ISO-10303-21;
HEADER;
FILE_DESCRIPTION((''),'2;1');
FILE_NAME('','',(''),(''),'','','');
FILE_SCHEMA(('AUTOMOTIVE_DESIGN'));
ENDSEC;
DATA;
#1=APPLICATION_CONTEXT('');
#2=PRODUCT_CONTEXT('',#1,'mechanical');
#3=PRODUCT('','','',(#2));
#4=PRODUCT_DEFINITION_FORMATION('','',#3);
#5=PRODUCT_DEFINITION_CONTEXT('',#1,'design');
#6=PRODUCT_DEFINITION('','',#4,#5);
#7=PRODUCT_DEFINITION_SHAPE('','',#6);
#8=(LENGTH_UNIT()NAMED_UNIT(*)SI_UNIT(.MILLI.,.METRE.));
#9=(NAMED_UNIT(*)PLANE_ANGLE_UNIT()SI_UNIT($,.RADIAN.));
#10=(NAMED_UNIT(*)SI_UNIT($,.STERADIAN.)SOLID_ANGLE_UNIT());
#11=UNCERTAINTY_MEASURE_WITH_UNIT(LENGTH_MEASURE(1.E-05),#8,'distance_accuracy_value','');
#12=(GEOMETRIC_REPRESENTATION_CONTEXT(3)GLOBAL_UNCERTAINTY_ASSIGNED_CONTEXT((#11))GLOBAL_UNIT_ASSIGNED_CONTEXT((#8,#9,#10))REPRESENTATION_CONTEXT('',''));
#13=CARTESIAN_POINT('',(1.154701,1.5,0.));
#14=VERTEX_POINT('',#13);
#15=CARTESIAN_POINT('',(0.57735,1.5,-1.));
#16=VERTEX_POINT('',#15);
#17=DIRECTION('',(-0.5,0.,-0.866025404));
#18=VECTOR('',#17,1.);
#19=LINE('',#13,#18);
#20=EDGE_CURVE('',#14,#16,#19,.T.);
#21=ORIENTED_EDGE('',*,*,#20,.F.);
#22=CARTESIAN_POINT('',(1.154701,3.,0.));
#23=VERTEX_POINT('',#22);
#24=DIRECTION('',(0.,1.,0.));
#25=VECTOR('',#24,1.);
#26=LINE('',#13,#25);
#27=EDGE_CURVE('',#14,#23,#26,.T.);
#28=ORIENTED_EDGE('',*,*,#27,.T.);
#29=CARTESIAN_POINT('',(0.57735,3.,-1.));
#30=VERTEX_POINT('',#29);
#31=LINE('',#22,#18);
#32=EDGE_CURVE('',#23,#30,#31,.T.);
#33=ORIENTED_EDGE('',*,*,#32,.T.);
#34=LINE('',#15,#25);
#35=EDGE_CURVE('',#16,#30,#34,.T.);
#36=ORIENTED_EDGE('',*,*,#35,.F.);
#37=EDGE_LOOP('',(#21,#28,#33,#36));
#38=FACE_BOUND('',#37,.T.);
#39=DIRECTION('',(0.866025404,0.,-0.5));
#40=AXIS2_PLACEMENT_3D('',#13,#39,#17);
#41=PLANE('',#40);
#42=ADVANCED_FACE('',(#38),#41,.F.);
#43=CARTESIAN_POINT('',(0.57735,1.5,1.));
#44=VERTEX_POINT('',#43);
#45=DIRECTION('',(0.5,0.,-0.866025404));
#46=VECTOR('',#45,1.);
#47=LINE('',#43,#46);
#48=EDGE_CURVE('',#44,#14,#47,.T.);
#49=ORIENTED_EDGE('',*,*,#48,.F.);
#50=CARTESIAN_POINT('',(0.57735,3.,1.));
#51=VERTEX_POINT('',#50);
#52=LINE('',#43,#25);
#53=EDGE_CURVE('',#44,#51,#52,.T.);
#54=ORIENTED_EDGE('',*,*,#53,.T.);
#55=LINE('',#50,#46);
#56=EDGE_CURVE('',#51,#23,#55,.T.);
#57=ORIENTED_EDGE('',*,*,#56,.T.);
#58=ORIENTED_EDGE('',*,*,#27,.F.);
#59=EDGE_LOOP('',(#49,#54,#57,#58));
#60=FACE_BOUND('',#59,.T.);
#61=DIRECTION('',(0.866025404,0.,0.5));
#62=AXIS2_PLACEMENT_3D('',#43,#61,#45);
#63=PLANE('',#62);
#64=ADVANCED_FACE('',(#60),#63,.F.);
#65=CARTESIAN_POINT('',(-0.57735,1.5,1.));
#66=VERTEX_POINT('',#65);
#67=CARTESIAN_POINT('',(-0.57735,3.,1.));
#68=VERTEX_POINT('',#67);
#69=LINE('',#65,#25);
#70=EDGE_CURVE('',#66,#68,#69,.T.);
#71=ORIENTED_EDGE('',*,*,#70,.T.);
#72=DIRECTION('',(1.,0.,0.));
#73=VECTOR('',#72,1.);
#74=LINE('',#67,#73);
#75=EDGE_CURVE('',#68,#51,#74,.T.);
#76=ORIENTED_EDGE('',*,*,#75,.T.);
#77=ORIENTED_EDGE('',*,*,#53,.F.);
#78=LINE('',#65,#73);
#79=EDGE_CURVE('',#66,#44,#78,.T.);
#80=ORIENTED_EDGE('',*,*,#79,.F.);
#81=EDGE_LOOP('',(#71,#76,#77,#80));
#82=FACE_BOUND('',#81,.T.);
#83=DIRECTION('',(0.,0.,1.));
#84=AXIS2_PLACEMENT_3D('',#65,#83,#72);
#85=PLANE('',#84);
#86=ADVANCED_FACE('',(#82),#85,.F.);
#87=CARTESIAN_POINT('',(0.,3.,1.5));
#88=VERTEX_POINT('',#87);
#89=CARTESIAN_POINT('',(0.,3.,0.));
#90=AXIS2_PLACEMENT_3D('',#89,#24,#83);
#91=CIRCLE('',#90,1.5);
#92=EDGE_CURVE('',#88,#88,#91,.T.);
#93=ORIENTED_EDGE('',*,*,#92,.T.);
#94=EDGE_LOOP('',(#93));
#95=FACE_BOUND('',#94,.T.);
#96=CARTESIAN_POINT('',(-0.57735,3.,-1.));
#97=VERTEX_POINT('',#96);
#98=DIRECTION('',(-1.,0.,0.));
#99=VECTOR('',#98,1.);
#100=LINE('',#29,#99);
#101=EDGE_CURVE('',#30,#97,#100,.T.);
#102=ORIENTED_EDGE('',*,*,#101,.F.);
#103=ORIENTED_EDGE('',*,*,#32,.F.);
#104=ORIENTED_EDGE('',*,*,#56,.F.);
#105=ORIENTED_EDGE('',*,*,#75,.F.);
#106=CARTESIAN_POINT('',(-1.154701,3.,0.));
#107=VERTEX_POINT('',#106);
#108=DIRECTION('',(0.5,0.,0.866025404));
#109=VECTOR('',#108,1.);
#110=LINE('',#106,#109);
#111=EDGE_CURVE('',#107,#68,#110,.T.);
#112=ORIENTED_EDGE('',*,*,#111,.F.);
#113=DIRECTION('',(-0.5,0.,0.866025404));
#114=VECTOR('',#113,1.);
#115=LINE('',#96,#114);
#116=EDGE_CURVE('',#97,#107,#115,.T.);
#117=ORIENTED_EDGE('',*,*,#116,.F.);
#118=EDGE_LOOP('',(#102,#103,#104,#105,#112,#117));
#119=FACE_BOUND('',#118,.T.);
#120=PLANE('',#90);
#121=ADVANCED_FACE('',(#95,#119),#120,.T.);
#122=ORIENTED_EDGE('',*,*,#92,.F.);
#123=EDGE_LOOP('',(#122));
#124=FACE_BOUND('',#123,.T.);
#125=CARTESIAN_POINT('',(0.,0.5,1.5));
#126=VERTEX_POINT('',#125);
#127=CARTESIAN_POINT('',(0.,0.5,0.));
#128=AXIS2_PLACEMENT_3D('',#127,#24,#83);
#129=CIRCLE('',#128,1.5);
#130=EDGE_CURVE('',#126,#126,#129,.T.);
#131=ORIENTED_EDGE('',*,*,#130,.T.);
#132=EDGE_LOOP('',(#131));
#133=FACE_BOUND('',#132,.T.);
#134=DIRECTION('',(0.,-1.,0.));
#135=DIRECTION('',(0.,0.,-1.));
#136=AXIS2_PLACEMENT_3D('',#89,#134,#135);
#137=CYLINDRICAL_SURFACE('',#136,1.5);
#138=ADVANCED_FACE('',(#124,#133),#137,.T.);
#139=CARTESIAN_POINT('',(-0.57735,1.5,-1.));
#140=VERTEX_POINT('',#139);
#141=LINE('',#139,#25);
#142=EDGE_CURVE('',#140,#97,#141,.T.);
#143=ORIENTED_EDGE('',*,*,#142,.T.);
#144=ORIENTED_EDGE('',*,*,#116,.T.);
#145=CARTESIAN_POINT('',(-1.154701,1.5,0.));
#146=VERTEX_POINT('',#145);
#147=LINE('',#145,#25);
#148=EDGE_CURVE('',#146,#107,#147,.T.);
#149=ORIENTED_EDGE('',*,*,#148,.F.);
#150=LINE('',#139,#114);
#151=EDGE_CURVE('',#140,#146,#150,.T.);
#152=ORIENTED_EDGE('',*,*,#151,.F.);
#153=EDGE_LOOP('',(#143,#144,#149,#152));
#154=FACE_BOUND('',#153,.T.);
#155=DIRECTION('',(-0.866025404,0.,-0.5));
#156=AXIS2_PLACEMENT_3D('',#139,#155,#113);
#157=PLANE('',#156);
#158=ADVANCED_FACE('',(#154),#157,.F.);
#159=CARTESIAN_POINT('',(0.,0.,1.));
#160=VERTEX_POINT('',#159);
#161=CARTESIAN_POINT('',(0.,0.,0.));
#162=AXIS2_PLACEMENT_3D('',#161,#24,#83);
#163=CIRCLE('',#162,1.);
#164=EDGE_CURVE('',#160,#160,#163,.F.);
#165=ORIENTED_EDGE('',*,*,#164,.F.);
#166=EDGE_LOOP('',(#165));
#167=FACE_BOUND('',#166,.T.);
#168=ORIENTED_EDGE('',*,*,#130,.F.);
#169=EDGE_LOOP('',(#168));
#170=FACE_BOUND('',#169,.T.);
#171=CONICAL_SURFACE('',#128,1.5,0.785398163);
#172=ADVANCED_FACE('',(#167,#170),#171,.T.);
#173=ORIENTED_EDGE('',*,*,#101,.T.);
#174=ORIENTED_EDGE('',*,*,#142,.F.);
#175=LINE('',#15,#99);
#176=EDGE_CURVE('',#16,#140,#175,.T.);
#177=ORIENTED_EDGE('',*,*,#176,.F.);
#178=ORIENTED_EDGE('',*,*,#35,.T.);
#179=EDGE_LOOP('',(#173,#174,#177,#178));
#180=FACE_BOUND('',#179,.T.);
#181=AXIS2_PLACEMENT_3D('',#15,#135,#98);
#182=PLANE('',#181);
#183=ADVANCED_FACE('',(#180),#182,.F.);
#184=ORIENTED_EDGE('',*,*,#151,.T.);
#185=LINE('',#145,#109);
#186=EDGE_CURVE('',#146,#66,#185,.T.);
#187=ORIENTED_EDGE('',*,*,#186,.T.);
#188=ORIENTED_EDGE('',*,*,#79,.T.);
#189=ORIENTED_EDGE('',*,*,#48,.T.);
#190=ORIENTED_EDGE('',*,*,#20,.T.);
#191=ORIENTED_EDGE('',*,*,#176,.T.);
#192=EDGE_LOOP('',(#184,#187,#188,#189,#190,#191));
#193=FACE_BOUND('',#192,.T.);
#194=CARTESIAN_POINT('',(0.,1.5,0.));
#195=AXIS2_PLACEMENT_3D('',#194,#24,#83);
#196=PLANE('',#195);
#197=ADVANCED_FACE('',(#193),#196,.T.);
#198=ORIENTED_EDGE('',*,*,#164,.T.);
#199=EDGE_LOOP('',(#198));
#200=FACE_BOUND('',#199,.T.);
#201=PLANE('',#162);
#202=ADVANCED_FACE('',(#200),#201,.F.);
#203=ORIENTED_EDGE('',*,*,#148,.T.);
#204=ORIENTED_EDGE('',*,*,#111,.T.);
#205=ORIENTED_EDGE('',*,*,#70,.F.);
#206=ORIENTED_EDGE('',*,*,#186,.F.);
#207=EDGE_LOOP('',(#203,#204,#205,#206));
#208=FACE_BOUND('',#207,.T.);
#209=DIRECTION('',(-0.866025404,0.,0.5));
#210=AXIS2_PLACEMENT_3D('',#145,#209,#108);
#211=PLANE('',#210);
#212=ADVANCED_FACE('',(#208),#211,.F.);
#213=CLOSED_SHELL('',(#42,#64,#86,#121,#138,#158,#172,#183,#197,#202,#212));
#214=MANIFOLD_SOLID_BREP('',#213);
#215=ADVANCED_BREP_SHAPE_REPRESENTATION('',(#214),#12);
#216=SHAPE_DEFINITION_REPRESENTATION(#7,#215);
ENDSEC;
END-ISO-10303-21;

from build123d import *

# Parameters (mm, degrees)
SKETCH1_R           = 1.5
BOSS_EXTRUDE1_DEPTH = 3
CHAMFER1_SIZE       = 0.5
CUT_EXTRUDE1_DEPTH  = 1.5


with BuildPart() as part:
    # Sketch1 → Boss-Extrude1 (new body)
    with BuildSketch(Plane(origin=(0, 0, 0), x_dir=(1, 0, 0), z_dir=(0, 1, 0))):
        Circle(SKETCH1_R)
    extrude(amount=BOSS_EXTRUDE1_DEPTH)

    # Chamfer1
    chamfer1_edges = [part.edges().sort_by_distance(p)[0] for p in [
        (-1.5, 0, 0),
    ]]
    chamfer(chamfer1_edges, length=CHAMFER1_SIZE)

    # Sketch2 → Cut-Extrude1 (cut)
    with BuildSketch(Plane(origin=(0, 3, 0), x_dir=(1, 0, 0), z_dir=(0, 1, 0))):
        Polygon((0.577350269, -1), (1.154700538, 0), (0.577350269, 1), (-0.577350269, 1), (-1.154700538, 0), (-0.577350269, -1), align=None)
    extrude(amount=-CUT_EXTRUDE1_DEPTH, mode=Mode.SUBTRACT)


solid = part.part
